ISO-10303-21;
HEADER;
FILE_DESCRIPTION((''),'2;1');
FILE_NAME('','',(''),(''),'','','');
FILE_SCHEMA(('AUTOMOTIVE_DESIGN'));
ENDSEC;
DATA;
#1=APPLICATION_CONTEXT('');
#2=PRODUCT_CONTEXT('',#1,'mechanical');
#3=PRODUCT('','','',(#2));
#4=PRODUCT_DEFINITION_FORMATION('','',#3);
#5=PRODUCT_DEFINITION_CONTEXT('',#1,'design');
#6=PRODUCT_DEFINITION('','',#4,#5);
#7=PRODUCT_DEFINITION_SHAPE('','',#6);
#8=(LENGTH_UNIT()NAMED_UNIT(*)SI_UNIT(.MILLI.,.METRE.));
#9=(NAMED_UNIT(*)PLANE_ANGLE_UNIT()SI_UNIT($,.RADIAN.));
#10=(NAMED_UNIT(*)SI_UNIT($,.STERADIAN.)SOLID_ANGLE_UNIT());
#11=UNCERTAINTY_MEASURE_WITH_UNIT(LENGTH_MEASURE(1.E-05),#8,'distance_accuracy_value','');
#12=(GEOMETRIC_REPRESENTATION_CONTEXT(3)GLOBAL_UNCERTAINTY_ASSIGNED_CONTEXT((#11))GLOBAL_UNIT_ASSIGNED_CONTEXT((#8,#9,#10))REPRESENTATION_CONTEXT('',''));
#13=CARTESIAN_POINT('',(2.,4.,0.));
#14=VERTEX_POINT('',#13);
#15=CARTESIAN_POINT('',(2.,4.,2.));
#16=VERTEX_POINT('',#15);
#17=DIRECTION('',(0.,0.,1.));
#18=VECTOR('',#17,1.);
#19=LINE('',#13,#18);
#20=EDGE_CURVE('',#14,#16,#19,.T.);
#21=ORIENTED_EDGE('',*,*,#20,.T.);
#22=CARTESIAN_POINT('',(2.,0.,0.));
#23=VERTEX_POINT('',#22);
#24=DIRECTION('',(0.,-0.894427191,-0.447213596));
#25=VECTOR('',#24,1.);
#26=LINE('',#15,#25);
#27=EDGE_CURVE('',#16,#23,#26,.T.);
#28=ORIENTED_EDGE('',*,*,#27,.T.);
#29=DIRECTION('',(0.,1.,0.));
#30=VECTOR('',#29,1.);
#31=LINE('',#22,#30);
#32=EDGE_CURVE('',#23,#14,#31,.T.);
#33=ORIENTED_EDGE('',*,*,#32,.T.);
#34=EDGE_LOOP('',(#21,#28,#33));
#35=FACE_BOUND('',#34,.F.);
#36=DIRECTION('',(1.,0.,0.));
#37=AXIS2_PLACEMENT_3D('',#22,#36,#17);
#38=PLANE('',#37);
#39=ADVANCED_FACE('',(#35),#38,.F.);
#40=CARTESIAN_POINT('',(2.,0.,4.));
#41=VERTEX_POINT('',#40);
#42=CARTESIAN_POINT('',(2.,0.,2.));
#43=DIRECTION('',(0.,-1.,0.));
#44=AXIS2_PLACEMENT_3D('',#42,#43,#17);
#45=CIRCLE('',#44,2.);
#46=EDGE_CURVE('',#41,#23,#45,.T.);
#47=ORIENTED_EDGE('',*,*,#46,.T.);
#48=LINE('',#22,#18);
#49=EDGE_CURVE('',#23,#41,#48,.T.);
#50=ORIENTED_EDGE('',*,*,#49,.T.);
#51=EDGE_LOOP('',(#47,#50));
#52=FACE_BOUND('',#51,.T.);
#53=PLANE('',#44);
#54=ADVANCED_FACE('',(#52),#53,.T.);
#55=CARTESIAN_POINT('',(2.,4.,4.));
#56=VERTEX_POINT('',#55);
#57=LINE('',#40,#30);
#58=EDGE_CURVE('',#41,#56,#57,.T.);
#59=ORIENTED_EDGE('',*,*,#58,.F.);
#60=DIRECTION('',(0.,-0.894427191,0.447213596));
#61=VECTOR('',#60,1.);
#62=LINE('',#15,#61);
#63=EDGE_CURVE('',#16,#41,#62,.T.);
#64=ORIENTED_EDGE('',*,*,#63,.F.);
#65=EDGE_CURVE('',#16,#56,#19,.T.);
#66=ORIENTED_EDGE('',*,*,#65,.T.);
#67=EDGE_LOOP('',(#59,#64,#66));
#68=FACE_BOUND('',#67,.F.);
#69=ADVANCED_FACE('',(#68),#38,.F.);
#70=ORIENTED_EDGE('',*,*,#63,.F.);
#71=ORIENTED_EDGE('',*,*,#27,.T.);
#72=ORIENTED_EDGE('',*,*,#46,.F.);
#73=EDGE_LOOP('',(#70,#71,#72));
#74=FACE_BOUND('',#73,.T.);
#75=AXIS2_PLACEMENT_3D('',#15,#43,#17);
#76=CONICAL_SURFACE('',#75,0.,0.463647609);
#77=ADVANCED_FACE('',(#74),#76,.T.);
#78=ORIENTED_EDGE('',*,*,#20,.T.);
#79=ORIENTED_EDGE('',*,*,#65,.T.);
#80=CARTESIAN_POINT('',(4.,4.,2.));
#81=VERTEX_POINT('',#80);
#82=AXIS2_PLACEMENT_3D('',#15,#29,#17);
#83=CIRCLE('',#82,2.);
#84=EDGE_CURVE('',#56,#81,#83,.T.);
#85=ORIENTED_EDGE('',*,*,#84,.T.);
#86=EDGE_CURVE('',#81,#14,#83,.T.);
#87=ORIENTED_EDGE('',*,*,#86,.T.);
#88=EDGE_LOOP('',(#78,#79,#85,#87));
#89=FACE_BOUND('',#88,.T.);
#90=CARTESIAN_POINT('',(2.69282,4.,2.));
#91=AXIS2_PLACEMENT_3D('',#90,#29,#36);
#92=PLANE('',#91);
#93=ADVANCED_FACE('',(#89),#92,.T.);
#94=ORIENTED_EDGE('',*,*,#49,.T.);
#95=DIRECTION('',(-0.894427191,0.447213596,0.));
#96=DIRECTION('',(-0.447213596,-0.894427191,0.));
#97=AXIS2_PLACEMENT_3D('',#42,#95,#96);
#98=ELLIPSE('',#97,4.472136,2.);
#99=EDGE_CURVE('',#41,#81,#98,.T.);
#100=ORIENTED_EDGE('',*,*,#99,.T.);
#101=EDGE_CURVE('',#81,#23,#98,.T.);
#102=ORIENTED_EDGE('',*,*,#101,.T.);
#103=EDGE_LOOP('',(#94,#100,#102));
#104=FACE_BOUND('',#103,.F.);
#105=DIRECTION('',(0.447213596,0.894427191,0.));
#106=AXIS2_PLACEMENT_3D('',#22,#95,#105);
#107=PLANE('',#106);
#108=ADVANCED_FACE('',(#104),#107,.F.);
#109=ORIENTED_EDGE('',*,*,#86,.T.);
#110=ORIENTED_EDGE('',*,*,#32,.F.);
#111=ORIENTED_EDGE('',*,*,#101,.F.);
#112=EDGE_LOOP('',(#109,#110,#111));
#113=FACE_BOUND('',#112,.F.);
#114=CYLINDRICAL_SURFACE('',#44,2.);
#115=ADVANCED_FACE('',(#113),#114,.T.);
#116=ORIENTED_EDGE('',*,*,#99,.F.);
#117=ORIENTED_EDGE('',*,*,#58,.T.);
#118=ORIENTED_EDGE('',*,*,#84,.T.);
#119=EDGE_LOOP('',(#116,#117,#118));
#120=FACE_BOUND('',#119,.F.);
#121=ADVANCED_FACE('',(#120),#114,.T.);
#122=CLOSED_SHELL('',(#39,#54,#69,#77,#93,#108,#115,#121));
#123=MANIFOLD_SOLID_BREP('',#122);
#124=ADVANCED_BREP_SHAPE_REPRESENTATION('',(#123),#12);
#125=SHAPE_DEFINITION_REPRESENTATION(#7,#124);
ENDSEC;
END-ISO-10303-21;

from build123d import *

# Parameters (mm, degrees)
BOSS_EXTRUDE1_DEPTH = 4
REVOLVE1_ANGLE      = 180
CUT_EXTRUDE4_DEPTH  = 4


with BuildPart() as part:
    # Sketch1 → Boss-Extrude1 (new body)
    with BuildSketch(Plane(origin=(0, 0, 0), x_dir=(1, 0, 0), z_dir=(0, 1, 0))):
        with BuildLine():
            Line((2, 0), (2, -4))
            ThreePointArc((2, -4), (4, -2), (2, 0))
        make_face()
    extrude(amount=BOSS_EXTRUDE1_DEPTH)

    # Sketch6 → Revolve1 (revolve)
    with BuildSketch(Plane.ZY.offset(-2)):
        Polygon((2, 0), (2, 4), (4, 0), align=None)
    revolve(axis=Axis((2, 0, 2), (0, -1, 0)), revolution_arc=REVOLVE1_ANGLE)

    # Sketch7 → Cut-Extrude4 (cut)
    with BuildSketch(Plane.XY):
        Polygon((4, 0), (2, 0), (4, 4), align=None)
    extrude(amount=CUT_EXTRUDE4_DEPTH, mode=Mode.SUBTRACT)


solid = part.part
